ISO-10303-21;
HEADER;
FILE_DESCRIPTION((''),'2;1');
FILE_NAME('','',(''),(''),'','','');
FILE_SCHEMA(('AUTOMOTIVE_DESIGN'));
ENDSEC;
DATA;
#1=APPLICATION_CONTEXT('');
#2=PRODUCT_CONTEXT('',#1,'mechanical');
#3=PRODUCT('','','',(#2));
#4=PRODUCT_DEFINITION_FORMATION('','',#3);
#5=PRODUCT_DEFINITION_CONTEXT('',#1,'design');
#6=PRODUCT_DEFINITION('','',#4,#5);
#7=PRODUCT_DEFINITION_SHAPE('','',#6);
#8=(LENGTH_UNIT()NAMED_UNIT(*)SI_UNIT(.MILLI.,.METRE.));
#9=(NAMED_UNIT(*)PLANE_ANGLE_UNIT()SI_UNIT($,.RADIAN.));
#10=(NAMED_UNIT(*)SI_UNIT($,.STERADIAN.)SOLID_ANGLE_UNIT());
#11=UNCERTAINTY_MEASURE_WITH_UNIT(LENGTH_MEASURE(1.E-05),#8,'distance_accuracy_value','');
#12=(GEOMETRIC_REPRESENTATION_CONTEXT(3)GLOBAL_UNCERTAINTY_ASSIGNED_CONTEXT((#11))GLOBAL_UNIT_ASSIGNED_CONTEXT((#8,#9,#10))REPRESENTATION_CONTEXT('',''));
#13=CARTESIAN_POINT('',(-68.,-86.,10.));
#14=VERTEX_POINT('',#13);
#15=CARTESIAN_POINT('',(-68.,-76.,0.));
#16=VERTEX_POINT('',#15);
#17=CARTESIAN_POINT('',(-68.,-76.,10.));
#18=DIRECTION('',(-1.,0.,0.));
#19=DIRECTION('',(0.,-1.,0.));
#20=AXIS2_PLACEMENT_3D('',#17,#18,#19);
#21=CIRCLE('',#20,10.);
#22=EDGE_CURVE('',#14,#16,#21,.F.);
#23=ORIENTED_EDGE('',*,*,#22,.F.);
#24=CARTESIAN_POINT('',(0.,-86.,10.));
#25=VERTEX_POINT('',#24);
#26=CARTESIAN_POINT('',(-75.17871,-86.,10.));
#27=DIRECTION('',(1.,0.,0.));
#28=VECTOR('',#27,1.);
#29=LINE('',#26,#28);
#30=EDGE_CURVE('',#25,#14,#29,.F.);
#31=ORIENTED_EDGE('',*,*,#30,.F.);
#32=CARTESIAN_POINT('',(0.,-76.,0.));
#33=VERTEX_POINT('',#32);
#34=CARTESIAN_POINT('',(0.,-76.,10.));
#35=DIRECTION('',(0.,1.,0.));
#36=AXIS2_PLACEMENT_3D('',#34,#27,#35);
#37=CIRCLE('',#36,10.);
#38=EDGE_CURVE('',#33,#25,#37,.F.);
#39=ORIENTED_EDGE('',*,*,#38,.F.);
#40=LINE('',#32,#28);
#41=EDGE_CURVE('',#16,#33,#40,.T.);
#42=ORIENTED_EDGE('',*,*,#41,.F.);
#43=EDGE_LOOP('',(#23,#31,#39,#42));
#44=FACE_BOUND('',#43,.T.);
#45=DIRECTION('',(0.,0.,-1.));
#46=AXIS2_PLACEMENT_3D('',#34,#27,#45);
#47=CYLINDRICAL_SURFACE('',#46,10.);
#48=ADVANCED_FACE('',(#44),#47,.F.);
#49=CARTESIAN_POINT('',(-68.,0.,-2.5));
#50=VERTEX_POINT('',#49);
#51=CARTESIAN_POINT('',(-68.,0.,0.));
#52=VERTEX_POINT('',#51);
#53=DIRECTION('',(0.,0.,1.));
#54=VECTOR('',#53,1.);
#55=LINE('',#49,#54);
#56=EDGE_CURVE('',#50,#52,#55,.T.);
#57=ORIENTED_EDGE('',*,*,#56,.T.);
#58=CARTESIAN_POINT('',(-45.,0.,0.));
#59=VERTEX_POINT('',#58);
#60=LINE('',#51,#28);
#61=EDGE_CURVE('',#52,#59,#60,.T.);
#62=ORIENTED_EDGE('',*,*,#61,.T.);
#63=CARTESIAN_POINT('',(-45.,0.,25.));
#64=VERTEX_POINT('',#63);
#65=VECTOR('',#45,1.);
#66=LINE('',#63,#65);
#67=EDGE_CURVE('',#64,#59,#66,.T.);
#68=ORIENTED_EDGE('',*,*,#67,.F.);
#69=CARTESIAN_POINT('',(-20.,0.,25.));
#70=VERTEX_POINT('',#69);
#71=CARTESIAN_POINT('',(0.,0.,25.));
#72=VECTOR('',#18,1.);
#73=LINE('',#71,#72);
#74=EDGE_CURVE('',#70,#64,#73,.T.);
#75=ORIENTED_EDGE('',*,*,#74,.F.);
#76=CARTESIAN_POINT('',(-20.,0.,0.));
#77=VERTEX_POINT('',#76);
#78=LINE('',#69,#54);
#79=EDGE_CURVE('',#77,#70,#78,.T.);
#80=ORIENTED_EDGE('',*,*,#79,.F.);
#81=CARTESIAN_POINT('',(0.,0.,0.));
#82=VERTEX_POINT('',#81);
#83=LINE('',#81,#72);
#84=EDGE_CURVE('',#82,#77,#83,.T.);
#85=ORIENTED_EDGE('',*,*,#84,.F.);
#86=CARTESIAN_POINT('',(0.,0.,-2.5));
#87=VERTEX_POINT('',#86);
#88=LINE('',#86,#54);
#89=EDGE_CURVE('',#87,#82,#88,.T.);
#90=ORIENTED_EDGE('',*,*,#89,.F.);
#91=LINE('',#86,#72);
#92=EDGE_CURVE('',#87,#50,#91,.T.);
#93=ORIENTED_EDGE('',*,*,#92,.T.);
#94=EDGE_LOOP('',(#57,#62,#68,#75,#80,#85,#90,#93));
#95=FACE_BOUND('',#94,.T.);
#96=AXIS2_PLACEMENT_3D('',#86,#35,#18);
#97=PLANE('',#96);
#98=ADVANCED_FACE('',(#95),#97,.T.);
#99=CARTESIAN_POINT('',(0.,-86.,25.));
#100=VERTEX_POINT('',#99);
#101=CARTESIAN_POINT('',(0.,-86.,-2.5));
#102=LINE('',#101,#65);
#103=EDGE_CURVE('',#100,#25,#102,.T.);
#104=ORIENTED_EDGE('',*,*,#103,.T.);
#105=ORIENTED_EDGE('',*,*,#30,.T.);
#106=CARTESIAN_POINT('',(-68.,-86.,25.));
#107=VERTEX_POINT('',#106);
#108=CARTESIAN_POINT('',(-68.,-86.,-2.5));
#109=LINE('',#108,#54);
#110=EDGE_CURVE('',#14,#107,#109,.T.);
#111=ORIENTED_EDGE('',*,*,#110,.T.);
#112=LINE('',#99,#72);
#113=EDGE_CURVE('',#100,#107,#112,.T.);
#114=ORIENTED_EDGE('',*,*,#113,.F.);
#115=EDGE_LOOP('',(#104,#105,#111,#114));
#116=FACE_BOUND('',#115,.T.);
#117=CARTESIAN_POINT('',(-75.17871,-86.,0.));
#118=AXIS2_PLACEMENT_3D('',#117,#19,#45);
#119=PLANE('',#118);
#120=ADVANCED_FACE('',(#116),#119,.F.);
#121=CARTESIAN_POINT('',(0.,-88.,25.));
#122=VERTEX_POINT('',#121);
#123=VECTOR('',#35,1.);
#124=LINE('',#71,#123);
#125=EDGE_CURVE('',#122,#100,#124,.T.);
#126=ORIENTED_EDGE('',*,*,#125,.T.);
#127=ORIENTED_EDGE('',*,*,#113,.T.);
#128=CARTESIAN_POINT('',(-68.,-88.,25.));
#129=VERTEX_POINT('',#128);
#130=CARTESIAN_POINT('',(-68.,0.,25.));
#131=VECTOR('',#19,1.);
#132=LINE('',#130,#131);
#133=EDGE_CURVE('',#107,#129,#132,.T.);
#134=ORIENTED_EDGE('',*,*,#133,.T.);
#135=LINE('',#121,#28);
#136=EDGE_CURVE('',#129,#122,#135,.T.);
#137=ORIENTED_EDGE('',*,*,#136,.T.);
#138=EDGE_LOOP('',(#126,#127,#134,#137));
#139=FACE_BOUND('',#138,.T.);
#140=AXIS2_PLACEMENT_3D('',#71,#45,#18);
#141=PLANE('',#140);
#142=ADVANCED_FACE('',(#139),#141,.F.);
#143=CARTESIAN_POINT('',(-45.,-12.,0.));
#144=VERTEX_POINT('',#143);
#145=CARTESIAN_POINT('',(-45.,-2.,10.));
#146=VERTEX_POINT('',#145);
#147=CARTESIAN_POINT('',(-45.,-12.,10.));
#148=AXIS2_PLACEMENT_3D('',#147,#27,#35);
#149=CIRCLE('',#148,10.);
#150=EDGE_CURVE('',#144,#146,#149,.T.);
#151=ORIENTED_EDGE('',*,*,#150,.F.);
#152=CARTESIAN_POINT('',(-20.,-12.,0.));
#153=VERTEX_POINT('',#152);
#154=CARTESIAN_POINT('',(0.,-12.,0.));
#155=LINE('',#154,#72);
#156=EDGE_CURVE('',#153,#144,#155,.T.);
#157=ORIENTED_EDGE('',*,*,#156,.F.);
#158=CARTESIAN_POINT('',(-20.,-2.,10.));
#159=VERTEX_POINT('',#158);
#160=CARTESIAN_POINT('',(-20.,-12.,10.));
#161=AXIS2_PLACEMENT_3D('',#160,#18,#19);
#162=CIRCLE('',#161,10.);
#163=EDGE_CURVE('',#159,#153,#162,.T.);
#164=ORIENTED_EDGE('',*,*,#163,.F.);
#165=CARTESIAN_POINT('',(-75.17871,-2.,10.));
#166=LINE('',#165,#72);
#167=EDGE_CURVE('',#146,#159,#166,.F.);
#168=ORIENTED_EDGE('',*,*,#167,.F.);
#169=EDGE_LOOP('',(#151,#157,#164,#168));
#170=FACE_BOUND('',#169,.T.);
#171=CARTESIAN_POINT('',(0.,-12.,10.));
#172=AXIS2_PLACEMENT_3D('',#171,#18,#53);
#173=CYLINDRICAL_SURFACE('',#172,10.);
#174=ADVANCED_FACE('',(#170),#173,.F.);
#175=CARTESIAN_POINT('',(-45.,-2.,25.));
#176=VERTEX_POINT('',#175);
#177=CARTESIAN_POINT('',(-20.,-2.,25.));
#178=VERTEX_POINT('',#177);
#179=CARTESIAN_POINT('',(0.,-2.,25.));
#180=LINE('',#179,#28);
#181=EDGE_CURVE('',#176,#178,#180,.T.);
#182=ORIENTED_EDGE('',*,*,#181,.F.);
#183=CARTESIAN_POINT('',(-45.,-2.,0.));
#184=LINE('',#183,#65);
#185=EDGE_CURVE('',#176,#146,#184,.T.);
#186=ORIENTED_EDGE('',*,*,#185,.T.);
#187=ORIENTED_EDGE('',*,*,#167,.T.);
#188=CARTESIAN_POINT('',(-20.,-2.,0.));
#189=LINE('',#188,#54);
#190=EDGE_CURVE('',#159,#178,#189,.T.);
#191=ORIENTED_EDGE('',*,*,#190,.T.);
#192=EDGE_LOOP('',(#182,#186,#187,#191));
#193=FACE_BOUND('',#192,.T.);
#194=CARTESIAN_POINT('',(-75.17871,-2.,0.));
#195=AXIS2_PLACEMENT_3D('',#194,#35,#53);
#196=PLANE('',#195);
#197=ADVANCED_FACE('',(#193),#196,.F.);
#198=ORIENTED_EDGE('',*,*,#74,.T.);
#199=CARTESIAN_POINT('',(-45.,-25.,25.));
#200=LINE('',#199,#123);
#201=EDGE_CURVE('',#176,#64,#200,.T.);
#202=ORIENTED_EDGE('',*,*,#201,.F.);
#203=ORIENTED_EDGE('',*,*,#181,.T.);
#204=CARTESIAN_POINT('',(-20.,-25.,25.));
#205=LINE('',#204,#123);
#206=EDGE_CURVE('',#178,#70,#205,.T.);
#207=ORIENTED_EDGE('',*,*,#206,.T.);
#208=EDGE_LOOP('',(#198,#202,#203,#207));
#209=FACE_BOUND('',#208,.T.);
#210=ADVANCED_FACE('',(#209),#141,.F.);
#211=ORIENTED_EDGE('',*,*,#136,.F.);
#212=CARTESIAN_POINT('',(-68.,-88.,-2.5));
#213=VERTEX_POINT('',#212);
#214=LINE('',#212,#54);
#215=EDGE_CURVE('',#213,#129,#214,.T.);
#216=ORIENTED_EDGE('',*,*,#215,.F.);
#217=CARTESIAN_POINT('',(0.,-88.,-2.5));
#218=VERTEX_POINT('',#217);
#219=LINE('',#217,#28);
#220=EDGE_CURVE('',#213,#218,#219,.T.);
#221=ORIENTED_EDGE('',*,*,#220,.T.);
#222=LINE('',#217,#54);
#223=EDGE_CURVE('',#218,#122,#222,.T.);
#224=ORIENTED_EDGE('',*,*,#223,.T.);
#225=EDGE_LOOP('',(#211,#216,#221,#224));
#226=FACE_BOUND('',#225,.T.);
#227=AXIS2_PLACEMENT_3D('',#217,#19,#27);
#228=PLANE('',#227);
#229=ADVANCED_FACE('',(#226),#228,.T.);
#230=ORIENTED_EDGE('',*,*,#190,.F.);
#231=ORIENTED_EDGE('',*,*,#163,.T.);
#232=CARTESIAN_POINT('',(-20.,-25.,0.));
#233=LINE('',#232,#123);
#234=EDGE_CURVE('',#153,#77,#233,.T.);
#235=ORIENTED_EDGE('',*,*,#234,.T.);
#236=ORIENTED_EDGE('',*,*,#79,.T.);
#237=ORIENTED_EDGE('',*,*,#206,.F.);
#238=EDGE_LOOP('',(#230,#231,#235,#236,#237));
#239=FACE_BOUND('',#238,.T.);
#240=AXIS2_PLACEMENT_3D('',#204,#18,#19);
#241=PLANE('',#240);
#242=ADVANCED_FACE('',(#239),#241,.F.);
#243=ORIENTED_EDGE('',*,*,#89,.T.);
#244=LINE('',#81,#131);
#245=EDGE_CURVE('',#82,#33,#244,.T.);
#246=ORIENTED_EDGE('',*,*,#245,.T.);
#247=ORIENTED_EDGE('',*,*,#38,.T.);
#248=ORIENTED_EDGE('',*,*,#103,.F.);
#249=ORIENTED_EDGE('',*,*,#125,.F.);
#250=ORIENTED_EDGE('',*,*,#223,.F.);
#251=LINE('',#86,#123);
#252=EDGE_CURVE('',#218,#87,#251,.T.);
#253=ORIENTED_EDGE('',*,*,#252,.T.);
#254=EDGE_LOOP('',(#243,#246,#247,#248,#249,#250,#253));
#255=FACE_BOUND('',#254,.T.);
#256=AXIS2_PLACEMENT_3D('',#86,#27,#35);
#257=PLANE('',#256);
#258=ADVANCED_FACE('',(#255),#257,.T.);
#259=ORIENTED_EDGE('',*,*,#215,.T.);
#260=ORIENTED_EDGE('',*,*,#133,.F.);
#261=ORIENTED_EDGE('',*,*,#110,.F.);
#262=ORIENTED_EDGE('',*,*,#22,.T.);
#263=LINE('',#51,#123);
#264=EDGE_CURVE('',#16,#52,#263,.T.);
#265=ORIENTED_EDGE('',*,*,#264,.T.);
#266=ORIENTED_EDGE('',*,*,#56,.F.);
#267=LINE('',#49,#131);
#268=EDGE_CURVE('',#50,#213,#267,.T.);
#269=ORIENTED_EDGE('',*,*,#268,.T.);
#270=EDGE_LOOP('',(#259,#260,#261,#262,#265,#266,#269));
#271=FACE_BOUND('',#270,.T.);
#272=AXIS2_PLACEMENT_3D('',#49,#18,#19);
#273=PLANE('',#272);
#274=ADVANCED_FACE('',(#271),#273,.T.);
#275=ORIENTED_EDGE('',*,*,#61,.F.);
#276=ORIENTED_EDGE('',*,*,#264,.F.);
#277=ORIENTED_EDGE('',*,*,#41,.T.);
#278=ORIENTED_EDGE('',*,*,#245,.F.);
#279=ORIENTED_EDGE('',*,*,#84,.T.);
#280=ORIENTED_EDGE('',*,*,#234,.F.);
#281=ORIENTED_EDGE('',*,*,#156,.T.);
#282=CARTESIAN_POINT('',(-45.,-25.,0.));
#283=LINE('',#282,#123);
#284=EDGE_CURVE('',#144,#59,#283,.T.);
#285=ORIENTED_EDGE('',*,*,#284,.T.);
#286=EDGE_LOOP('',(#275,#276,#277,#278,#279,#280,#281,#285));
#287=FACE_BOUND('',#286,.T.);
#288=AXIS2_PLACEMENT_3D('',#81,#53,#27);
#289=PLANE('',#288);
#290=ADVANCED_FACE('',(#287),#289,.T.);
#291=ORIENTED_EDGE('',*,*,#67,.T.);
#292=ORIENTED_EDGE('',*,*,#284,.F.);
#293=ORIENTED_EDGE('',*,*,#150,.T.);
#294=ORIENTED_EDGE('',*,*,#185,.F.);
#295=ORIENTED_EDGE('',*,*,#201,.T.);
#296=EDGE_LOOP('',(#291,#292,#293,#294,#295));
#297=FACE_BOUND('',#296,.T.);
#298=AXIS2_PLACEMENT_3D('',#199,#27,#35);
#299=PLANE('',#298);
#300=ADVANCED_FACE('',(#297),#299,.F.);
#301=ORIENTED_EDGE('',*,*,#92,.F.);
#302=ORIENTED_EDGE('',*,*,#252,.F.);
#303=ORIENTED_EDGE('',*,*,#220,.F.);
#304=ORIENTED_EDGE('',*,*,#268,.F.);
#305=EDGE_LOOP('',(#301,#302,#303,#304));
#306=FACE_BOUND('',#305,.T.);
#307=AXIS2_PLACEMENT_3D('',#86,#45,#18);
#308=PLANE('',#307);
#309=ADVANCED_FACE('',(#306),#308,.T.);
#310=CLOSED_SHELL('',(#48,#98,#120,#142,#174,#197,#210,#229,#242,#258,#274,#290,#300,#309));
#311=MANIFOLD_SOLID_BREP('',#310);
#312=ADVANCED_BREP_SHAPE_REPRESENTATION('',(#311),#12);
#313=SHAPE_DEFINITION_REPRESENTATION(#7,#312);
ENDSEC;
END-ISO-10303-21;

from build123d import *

# Parameters (mm, degrees)
BOSS_EXTRUDE1_DEPTH      = 25
BOSS_EXTRUDE1_DEPTH_BACK = 2.5
SKETCH1_W                = 68
SKETCH1_H                = 88
SKETCH2_W                = 82.510400987
SKETCH2_H                = 84
CUT_EXTRUDE1_DEPTH       = 25
SKETCH3_W                = 23
SKETCH3_H                = 25
CUT_EXTRUDE2_DEPTH       = 25
SKETCH4_W                = 20
SKETCH4_H                = 25
CUT_EXTRUDE3_DEPTH       = 25
FILLET2_R                = 10


with BuildPart() as part:
    # Sketch1 → Boss-Extrude1 (new, two sides: drawn at the far end of the back side and taken through both)
    with BuildSketch(Plane.XY.offset(-BOSS_EXTRUDE1_DEPTH_BACK)):
        with Locations((-34, -44)):
            Rectangle(SKETCH1_W, SKETCH1_H)
    extrude(amount=BOSS_EXTRUDE1_DEPTH + BOSS_EXTRUDE1_DEPTH_BACK)

    # Sketch2 → Cut-Extrude1 (cut)
    with BuildSketch(Plane.XY.offset(25)):
        with Locations((-33.923509309, -44)):
            Rectangle(SKETCH2_W, SKETCH2_H)
    extrude(amount=-CUT_EXTRUDE1_DEPTH, mode=Mode.SUBTRACT)

    # Sketch3 → Cut-Extrude2 (cut)
    with BuildSketch(Plane(origin=(0, 0, 0), x_dir=(1, 0, 0), z_dir=(0, 1, 0))):
        with Locations((-56.5, -12.5)):
            Rectangle(SKETCH3_W, SKETCH3_H)
    extrude(amount=-CUT_EXTRUDE2_DEPTH, mode=Mode.SUBTRACT)

    # Sketch4 → Cut-Extrude3 (cut)
    with BuildSketch(Plane(origin=(0, 0, 0), x_dir=(1, 0, 0), z_dir=(0, 1, 0))):
        with Locations((-10, -12.5)):
            Rectangle(SKETCH4_W, SKETCH4_H)
    extrude(amount=-CUT_EXTRUDE3_DEPTH, mode=Mode.SUBTRACT)

    # Fillet2
    fillet2_edges = [part.edges().sort_by_distance(p)[0] for p in [
        (-34, -86, 0),
        (-32.5, -2, 0),
    ]]
    fillet(fillet2_edges, radius=FILLET2_R)


solid = part.part
